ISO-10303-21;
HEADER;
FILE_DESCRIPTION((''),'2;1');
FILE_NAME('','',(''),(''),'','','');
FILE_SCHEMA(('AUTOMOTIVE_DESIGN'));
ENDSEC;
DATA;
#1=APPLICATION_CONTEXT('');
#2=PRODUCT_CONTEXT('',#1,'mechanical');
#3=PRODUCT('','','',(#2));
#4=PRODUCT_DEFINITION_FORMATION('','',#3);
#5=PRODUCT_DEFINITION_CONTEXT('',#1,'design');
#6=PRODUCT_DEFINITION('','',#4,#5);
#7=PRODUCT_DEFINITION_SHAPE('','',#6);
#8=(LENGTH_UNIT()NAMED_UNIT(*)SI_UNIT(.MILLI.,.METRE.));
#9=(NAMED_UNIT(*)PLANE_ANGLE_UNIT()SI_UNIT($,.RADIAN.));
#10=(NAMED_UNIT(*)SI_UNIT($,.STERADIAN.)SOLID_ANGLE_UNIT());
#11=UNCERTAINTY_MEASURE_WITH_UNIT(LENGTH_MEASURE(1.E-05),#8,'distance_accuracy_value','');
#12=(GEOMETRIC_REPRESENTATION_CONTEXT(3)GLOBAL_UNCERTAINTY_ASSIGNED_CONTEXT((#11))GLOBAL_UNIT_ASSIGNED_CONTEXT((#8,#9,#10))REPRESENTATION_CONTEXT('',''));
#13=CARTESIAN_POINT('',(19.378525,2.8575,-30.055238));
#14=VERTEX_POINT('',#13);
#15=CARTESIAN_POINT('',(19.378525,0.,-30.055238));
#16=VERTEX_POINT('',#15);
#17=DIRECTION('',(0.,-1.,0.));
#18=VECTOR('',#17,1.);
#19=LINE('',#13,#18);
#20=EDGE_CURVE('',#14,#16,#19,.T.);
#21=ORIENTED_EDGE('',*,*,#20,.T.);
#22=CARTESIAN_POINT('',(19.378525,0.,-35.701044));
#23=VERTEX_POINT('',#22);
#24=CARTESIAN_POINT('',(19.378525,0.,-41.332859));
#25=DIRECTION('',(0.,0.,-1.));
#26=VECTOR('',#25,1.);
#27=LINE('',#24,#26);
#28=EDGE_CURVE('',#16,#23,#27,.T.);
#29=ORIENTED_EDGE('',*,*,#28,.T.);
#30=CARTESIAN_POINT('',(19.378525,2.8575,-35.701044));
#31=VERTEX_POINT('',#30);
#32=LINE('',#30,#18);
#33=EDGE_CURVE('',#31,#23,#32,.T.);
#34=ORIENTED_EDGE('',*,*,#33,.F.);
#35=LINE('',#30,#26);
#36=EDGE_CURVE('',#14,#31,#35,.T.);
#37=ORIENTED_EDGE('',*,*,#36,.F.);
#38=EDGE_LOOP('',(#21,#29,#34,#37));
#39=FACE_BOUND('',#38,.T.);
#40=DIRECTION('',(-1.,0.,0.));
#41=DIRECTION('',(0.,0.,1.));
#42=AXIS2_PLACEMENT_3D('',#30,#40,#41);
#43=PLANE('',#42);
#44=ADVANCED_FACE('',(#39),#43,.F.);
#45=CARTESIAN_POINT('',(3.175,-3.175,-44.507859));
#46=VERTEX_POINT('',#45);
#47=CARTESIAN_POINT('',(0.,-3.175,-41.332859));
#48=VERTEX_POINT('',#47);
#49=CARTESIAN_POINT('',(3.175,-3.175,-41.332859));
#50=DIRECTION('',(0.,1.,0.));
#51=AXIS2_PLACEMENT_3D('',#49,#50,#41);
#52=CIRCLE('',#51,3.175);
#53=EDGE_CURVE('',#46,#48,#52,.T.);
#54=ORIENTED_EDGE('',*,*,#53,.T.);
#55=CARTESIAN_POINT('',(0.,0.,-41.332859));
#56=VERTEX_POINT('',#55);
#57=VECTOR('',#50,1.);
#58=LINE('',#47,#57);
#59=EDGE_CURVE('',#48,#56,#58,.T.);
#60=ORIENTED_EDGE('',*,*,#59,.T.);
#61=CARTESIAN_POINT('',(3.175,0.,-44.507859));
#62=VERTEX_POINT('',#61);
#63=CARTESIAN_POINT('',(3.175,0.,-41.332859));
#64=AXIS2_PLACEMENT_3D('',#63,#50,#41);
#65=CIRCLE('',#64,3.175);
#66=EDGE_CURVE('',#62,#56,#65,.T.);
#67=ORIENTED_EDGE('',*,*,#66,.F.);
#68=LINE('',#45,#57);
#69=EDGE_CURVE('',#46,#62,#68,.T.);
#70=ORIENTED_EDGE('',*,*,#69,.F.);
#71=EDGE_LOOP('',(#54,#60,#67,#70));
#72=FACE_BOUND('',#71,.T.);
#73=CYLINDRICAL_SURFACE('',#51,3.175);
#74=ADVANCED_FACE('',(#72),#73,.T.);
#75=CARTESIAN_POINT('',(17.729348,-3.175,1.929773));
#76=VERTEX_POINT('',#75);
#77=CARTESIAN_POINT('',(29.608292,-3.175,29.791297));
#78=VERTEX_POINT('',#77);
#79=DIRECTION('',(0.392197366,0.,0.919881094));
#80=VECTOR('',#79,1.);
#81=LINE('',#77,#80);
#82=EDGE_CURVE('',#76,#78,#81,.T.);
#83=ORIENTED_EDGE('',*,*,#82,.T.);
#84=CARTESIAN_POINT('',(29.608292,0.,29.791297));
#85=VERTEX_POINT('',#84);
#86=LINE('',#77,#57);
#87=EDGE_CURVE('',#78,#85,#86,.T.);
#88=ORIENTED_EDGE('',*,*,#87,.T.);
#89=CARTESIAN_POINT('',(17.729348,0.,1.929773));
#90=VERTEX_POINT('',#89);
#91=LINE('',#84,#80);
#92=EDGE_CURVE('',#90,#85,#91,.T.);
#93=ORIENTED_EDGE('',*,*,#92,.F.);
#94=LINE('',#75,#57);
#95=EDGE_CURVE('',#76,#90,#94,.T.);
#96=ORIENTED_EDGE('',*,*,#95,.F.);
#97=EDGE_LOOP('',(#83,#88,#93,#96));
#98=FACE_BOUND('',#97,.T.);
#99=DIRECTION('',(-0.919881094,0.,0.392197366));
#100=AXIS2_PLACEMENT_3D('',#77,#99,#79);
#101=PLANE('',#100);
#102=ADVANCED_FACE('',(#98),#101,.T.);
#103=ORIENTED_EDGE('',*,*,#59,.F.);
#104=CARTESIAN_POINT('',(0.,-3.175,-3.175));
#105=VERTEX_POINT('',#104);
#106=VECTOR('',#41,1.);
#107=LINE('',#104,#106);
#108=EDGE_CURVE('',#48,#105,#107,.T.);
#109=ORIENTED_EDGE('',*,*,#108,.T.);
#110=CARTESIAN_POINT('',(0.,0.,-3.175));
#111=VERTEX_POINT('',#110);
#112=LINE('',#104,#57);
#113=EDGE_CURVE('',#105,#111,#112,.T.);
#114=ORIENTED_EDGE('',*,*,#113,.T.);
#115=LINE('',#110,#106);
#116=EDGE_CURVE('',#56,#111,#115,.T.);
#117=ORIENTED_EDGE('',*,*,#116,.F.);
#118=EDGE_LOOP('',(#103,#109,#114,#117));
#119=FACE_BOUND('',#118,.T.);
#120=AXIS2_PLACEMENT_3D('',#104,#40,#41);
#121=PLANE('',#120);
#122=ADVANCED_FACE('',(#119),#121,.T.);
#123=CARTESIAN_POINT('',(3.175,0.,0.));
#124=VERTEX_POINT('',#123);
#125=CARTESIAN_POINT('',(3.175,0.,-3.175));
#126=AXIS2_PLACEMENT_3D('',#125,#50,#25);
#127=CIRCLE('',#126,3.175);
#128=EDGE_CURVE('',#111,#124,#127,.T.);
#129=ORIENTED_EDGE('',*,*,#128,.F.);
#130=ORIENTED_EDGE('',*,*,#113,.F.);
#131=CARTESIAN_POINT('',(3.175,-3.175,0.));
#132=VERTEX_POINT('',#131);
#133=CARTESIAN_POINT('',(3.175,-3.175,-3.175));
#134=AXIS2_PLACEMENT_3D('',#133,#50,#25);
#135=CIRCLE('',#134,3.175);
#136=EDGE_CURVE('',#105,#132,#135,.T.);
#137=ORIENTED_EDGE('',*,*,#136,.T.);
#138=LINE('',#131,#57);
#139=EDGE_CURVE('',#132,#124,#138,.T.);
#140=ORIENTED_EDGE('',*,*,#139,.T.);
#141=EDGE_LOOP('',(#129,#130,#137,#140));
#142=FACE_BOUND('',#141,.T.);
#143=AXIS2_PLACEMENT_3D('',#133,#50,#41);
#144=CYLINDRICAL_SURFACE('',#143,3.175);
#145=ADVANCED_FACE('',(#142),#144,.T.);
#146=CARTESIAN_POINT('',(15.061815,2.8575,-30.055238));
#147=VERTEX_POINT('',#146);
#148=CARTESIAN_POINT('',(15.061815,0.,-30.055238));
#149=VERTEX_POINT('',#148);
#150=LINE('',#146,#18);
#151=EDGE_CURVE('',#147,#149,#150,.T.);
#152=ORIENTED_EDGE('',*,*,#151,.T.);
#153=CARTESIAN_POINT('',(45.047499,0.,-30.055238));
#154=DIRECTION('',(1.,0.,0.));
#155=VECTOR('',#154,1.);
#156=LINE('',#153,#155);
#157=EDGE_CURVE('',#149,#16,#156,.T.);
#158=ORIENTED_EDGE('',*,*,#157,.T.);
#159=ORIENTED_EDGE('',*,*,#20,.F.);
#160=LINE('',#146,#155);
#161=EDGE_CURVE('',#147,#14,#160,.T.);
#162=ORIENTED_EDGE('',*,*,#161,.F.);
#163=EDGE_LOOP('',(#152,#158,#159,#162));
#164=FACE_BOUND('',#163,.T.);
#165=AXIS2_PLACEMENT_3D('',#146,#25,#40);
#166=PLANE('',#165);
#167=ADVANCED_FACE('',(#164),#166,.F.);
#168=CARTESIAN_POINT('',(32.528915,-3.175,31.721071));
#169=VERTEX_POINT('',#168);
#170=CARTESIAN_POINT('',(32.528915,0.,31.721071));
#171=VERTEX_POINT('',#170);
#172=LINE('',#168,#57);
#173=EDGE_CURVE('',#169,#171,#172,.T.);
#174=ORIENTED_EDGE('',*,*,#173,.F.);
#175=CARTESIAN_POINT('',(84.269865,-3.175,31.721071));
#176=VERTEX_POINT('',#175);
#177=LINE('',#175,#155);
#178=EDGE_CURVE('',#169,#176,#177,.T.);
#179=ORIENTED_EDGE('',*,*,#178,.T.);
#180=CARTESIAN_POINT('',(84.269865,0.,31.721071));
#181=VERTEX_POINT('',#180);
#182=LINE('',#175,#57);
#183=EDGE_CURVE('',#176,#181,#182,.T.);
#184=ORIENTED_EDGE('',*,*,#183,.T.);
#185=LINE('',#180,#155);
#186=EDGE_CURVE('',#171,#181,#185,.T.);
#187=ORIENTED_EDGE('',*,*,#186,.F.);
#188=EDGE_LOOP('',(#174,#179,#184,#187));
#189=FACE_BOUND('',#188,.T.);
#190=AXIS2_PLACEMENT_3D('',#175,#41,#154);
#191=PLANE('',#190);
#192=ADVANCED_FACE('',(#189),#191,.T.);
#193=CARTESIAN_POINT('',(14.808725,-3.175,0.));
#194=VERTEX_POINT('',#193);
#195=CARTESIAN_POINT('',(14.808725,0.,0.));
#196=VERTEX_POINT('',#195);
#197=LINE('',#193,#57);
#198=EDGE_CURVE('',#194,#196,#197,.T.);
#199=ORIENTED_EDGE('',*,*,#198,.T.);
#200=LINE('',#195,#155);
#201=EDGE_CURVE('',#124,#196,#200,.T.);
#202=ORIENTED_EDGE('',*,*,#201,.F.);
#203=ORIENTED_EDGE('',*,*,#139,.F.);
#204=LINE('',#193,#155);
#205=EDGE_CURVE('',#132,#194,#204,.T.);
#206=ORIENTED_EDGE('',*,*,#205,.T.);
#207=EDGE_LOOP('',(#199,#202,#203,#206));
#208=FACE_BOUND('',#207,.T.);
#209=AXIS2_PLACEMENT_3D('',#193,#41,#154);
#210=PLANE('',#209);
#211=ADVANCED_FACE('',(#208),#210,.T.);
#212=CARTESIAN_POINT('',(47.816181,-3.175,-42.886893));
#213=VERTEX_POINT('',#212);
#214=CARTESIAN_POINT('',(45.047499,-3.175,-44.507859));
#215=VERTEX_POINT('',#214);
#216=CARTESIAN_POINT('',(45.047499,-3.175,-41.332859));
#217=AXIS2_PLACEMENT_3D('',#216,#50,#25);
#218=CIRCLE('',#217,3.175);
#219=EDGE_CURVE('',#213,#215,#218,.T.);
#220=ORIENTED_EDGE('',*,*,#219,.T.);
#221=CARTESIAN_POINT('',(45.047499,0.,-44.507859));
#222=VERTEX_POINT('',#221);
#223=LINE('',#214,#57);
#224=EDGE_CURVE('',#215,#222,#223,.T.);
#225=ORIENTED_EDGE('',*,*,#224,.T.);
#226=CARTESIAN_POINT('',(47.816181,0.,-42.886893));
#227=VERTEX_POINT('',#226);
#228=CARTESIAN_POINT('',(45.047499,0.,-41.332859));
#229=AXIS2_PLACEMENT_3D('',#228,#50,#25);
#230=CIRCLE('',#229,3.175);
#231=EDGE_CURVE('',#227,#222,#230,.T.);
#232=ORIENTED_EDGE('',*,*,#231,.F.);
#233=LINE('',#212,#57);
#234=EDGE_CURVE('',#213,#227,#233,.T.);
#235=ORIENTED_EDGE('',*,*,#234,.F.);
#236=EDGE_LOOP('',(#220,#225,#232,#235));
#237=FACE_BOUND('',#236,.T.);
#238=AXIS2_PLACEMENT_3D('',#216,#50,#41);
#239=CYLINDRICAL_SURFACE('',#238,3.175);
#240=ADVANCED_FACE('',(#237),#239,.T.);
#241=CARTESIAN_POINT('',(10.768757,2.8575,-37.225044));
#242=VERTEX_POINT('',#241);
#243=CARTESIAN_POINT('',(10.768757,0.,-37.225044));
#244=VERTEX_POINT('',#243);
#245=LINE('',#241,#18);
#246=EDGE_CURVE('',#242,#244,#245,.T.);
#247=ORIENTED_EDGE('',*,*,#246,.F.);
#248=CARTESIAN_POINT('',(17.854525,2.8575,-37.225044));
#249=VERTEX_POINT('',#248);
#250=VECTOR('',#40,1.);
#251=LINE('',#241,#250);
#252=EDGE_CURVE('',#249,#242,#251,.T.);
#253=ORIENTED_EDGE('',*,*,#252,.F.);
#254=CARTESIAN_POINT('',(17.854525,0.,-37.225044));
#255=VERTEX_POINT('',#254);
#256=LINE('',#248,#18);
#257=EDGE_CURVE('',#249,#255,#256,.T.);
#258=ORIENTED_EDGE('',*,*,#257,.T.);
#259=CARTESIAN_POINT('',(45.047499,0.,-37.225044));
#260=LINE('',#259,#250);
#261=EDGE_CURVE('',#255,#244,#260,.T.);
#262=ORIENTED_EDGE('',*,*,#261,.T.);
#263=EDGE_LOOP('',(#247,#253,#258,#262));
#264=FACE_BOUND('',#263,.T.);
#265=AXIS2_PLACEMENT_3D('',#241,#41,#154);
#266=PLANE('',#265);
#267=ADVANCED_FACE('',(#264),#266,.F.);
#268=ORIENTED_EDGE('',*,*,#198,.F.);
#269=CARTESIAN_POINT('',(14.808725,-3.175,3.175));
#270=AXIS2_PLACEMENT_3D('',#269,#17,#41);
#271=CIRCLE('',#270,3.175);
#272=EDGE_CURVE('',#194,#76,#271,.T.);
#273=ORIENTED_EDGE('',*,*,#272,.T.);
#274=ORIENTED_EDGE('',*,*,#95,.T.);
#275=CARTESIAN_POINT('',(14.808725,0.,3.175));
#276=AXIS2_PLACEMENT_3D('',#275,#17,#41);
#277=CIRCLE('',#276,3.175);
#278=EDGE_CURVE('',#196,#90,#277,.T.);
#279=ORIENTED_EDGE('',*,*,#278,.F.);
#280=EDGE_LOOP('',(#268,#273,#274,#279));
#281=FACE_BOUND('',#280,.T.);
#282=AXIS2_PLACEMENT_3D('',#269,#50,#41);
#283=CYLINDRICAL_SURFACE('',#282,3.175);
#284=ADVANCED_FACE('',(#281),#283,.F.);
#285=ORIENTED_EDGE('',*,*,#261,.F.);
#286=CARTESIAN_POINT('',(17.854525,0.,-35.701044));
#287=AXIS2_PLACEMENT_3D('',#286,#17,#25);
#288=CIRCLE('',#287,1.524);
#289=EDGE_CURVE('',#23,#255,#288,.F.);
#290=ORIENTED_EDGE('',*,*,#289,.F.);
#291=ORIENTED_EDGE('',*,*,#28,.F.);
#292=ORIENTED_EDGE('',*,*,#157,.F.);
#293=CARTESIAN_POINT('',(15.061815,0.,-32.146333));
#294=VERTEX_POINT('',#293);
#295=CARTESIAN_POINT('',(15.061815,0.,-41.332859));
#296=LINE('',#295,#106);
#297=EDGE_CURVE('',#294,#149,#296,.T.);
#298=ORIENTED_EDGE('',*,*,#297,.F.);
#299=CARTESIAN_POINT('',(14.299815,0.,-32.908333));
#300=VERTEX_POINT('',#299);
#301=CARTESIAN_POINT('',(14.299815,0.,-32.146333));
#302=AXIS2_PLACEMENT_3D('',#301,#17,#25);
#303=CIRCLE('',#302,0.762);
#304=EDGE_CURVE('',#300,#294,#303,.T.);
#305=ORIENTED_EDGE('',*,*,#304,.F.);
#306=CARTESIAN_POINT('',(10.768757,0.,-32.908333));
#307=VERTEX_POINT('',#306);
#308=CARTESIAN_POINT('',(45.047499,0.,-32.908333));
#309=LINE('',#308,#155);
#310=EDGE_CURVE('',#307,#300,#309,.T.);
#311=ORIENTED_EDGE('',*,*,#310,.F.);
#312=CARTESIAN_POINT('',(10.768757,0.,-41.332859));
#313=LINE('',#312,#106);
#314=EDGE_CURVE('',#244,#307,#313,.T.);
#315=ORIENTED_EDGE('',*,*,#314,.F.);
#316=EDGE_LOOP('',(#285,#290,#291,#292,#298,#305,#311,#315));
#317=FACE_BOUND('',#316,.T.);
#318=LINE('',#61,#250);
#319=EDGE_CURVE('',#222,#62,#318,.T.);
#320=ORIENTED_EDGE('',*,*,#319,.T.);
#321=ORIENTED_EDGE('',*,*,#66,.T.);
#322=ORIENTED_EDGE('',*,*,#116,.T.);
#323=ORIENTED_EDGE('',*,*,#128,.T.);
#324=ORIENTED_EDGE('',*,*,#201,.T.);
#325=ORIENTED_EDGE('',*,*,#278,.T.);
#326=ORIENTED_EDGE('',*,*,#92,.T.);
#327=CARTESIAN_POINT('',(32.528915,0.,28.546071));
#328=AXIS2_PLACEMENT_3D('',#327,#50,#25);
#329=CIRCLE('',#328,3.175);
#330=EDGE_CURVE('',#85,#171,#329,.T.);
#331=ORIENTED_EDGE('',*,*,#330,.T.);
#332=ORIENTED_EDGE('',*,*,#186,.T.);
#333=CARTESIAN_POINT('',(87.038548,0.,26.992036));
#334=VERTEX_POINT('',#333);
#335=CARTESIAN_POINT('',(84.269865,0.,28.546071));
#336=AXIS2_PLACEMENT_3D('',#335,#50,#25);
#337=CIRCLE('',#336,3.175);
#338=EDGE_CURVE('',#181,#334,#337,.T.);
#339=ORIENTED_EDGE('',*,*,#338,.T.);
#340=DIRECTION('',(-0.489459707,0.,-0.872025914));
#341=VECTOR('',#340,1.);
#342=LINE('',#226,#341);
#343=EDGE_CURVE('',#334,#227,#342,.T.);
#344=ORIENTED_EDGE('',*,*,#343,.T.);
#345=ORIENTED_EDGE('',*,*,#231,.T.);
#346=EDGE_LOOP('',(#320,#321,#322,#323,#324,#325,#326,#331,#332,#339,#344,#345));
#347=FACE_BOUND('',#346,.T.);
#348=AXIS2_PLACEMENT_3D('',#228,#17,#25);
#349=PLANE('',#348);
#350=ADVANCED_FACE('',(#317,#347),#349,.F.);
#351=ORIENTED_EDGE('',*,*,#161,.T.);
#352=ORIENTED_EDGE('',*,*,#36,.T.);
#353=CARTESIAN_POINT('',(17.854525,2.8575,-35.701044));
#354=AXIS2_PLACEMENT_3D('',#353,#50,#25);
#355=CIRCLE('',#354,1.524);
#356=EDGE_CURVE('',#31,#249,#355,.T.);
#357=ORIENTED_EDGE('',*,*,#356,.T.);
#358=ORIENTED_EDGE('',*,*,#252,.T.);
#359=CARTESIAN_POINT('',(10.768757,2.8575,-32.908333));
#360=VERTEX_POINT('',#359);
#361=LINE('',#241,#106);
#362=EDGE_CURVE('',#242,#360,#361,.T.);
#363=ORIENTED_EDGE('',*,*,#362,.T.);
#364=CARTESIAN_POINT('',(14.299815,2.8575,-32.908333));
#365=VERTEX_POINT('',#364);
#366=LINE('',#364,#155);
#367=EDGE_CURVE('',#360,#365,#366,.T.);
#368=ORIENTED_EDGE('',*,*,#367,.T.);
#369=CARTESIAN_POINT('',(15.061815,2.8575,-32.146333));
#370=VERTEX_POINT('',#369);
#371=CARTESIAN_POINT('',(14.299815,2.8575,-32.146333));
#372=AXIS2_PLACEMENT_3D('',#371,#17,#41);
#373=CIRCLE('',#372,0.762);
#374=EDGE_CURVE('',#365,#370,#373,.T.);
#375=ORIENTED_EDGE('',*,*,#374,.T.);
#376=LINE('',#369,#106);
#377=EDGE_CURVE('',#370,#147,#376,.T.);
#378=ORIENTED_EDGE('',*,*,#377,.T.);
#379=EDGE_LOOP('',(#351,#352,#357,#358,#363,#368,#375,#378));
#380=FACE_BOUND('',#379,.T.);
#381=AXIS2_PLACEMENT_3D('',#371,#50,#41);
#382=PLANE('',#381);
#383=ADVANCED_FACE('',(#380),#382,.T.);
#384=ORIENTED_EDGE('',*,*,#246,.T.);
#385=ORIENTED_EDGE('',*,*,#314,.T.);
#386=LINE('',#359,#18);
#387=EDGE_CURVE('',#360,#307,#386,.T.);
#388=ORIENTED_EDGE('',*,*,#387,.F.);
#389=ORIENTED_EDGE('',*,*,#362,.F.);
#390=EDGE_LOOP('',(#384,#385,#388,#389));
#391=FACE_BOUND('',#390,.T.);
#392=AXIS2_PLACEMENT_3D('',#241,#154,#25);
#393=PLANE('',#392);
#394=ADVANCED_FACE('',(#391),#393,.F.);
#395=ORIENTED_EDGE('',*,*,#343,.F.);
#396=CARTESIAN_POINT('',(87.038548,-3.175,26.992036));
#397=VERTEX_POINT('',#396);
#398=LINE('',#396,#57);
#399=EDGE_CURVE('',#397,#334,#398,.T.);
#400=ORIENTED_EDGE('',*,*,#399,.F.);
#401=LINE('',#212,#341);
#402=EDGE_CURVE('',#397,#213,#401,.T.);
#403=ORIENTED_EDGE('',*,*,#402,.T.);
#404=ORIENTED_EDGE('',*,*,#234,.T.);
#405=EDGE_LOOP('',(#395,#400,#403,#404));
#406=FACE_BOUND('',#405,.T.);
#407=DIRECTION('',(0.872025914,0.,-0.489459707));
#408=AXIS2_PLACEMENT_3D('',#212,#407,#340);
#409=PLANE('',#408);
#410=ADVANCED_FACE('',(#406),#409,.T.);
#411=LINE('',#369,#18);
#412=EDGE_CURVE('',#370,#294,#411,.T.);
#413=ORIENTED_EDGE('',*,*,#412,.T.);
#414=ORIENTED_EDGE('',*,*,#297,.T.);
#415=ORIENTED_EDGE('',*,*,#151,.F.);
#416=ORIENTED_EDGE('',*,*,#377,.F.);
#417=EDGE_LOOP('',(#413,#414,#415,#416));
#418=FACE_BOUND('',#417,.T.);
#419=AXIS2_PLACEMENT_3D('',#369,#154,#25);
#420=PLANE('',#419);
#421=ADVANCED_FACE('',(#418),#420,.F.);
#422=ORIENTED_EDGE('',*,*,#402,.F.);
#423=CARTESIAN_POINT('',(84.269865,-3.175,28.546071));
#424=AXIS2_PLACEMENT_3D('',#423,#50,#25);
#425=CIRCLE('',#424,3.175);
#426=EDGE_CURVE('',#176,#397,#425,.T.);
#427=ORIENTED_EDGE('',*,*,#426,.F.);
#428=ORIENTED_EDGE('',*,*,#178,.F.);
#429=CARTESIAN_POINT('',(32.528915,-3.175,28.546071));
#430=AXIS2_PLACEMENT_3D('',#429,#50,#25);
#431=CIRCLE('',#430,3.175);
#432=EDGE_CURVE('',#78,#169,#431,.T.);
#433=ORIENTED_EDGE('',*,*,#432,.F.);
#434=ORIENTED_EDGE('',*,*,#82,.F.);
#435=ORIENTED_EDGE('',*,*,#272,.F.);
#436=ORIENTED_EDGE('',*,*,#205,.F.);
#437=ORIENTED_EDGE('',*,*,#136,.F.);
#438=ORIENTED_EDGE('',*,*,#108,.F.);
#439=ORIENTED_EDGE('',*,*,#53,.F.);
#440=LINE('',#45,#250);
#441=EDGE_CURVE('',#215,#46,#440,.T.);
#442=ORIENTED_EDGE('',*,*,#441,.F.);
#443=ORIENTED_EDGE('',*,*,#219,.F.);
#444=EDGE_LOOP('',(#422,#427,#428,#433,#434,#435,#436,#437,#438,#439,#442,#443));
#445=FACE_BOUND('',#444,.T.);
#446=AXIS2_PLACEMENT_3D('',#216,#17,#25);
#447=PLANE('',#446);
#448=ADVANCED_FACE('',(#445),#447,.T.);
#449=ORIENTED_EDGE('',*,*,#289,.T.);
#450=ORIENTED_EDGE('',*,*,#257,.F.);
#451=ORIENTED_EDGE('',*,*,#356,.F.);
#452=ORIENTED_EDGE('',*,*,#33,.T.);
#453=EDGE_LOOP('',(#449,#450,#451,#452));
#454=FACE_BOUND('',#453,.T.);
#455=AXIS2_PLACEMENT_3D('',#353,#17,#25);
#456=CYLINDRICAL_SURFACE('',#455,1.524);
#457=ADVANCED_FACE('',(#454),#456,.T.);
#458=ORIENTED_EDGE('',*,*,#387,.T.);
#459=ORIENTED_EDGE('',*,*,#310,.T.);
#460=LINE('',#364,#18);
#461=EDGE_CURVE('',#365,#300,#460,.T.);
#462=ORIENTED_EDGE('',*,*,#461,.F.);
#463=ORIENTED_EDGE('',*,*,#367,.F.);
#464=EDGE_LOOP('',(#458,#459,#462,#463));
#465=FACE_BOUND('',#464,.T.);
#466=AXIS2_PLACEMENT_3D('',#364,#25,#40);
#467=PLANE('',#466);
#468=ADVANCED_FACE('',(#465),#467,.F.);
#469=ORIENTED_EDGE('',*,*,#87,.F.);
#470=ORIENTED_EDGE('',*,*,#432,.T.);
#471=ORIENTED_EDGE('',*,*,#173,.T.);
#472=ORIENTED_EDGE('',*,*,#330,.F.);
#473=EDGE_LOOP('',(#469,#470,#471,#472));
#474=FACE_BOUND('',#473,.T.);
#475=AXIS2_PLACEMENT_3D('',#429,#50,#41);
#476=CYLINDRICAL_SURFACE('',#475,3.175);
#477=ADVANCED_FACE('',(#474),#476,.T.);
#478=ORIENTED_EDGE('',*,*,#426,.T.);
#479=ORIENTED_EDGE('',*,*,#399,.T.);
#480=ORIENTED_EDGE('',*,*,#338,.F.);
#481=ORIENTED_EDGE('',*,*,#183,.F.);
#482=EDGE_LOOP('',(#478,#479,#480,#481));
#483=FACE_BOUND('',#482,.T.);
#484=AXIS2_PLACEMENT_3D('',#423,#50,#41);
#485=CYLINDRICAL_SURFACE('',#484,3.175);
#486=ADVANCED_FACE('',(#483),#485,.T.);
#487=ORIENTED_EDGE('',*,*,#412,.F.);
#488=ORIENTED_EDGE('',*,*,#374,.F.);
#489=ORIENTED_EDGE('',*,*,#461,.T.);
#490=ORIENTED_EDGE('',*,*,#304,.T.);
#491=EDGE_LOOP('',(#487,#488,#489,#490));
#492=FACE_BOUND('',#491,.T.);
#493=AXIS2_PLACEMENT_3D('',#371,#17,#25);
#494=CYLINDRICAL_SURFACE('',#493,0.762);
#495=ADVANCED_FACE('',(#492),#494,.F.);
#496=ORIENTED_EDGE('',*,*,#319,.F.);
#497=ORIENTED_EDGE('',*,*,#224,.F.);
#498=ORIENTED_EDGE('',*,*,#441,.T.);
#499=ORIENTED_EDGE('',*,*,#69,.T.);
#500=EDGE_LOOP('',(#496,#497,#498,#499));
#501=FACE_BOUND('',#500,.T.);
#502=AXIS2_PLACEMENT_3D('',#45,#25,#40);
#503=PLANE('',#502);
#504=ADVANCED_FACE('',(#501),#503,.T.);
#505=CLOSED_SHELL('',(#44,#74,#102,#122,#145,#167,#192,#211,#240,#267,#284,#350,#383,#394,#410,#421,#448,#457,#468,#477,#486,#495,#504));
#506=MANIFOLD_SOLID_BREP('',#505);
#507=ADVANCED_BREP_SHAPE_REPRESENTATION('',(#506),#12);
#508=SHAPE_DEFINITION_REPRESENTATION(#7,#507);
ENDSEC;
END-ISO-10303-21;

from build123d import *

# Parameters (mm, degrees)
EXTRUDE1_DEPTH = 3.175
EXTRUDE2_DEPTH = 2.8575


with BuildPart() as part:
    # Sketch1 → Extrude1 (new body)
    with BuildSketch(Plane(origin=(0, 0, 0), x_dir=(1, 0, 0), z_dir=(0, 1, 0))):
        with BuildLine():
            Line((3.175, 44.50785877), (45.047498502, 44.50785877))
            ThreePointArc((45.047498502, 44.50785877), (46.651643951, 44.072811758), (47.81618078, 42.886893339))
            Line((47.81618078, 42.886893339), (87.038547596, -26.992036046))
            ThreePointArc((87.038547596, -26.992036046), (87.009818306, -30.150216064), (84.269865318, -31.721070615))
            Line((84.269865318, -31.721070615), (32.528914715, -31.721070615))
            ThreePointArc((32.528914715, -31.721070615), (30.778624678, -31.195053398), (29.608292243, -29.791297251))
            Line((29.608292243, -29.791297251), (17.72934795, -1.929773364))
            ThreePointArc((17.72934795, -1.929773364), (16.559015516, -0.526017217), (14.808725478, 0))
            Line((14.808725478, 0), (3.175, 0))
            ThreePointArc((3.175, 0), (0.92993597, 0.92993597), (0, 3.175))
            Line((0, 3.175), (0, 41.33285877))
            ThreePointArc((0, 41.33285877), (0.92993597, 43.5779228), (3.175, 44.50785877))
        make_face()
    extrude(amount=-EXTRUDE1_DEPTH)

    # Sketch4 → Extrude2 (add, symmetric)
    with BuildSketch(Plane(origin=(0, 0, 0), x_dir=(1, 0, 0), z_dir=(0, 1, 0))):
        with BuildLine():
            Line((10.768757098, 37.225043705), (17.854525476, 37.225043705))
            ThreePointArc((17.854525476, 37.225043705), (18.93215621, 36.77867444), (19.378525476, 35.701043705))
            Line((19.378525476, 35.701043705), (19.378525476, 30.0552377))
            Line((19.378525476, 30.0552377), (15.061814646, 30.0552377))
            Line((15.061814646, 30.0552377), (15.061814646, 32.146332876))
            ThreePointArc((15.061814646, 32.146332876), (14.838630013, 32.685148243), (14.299814646, 32.908332876))
            Line((14.299814646, 32.908332876), (10.768757098, 32.908332876))
            Line((10.768757098, 32.908332876), (10.768757098, 37.225043705))
        make_face()
    extrude(amount=EXTRUDE2_DEPTH, both=True)


solid = part.part
